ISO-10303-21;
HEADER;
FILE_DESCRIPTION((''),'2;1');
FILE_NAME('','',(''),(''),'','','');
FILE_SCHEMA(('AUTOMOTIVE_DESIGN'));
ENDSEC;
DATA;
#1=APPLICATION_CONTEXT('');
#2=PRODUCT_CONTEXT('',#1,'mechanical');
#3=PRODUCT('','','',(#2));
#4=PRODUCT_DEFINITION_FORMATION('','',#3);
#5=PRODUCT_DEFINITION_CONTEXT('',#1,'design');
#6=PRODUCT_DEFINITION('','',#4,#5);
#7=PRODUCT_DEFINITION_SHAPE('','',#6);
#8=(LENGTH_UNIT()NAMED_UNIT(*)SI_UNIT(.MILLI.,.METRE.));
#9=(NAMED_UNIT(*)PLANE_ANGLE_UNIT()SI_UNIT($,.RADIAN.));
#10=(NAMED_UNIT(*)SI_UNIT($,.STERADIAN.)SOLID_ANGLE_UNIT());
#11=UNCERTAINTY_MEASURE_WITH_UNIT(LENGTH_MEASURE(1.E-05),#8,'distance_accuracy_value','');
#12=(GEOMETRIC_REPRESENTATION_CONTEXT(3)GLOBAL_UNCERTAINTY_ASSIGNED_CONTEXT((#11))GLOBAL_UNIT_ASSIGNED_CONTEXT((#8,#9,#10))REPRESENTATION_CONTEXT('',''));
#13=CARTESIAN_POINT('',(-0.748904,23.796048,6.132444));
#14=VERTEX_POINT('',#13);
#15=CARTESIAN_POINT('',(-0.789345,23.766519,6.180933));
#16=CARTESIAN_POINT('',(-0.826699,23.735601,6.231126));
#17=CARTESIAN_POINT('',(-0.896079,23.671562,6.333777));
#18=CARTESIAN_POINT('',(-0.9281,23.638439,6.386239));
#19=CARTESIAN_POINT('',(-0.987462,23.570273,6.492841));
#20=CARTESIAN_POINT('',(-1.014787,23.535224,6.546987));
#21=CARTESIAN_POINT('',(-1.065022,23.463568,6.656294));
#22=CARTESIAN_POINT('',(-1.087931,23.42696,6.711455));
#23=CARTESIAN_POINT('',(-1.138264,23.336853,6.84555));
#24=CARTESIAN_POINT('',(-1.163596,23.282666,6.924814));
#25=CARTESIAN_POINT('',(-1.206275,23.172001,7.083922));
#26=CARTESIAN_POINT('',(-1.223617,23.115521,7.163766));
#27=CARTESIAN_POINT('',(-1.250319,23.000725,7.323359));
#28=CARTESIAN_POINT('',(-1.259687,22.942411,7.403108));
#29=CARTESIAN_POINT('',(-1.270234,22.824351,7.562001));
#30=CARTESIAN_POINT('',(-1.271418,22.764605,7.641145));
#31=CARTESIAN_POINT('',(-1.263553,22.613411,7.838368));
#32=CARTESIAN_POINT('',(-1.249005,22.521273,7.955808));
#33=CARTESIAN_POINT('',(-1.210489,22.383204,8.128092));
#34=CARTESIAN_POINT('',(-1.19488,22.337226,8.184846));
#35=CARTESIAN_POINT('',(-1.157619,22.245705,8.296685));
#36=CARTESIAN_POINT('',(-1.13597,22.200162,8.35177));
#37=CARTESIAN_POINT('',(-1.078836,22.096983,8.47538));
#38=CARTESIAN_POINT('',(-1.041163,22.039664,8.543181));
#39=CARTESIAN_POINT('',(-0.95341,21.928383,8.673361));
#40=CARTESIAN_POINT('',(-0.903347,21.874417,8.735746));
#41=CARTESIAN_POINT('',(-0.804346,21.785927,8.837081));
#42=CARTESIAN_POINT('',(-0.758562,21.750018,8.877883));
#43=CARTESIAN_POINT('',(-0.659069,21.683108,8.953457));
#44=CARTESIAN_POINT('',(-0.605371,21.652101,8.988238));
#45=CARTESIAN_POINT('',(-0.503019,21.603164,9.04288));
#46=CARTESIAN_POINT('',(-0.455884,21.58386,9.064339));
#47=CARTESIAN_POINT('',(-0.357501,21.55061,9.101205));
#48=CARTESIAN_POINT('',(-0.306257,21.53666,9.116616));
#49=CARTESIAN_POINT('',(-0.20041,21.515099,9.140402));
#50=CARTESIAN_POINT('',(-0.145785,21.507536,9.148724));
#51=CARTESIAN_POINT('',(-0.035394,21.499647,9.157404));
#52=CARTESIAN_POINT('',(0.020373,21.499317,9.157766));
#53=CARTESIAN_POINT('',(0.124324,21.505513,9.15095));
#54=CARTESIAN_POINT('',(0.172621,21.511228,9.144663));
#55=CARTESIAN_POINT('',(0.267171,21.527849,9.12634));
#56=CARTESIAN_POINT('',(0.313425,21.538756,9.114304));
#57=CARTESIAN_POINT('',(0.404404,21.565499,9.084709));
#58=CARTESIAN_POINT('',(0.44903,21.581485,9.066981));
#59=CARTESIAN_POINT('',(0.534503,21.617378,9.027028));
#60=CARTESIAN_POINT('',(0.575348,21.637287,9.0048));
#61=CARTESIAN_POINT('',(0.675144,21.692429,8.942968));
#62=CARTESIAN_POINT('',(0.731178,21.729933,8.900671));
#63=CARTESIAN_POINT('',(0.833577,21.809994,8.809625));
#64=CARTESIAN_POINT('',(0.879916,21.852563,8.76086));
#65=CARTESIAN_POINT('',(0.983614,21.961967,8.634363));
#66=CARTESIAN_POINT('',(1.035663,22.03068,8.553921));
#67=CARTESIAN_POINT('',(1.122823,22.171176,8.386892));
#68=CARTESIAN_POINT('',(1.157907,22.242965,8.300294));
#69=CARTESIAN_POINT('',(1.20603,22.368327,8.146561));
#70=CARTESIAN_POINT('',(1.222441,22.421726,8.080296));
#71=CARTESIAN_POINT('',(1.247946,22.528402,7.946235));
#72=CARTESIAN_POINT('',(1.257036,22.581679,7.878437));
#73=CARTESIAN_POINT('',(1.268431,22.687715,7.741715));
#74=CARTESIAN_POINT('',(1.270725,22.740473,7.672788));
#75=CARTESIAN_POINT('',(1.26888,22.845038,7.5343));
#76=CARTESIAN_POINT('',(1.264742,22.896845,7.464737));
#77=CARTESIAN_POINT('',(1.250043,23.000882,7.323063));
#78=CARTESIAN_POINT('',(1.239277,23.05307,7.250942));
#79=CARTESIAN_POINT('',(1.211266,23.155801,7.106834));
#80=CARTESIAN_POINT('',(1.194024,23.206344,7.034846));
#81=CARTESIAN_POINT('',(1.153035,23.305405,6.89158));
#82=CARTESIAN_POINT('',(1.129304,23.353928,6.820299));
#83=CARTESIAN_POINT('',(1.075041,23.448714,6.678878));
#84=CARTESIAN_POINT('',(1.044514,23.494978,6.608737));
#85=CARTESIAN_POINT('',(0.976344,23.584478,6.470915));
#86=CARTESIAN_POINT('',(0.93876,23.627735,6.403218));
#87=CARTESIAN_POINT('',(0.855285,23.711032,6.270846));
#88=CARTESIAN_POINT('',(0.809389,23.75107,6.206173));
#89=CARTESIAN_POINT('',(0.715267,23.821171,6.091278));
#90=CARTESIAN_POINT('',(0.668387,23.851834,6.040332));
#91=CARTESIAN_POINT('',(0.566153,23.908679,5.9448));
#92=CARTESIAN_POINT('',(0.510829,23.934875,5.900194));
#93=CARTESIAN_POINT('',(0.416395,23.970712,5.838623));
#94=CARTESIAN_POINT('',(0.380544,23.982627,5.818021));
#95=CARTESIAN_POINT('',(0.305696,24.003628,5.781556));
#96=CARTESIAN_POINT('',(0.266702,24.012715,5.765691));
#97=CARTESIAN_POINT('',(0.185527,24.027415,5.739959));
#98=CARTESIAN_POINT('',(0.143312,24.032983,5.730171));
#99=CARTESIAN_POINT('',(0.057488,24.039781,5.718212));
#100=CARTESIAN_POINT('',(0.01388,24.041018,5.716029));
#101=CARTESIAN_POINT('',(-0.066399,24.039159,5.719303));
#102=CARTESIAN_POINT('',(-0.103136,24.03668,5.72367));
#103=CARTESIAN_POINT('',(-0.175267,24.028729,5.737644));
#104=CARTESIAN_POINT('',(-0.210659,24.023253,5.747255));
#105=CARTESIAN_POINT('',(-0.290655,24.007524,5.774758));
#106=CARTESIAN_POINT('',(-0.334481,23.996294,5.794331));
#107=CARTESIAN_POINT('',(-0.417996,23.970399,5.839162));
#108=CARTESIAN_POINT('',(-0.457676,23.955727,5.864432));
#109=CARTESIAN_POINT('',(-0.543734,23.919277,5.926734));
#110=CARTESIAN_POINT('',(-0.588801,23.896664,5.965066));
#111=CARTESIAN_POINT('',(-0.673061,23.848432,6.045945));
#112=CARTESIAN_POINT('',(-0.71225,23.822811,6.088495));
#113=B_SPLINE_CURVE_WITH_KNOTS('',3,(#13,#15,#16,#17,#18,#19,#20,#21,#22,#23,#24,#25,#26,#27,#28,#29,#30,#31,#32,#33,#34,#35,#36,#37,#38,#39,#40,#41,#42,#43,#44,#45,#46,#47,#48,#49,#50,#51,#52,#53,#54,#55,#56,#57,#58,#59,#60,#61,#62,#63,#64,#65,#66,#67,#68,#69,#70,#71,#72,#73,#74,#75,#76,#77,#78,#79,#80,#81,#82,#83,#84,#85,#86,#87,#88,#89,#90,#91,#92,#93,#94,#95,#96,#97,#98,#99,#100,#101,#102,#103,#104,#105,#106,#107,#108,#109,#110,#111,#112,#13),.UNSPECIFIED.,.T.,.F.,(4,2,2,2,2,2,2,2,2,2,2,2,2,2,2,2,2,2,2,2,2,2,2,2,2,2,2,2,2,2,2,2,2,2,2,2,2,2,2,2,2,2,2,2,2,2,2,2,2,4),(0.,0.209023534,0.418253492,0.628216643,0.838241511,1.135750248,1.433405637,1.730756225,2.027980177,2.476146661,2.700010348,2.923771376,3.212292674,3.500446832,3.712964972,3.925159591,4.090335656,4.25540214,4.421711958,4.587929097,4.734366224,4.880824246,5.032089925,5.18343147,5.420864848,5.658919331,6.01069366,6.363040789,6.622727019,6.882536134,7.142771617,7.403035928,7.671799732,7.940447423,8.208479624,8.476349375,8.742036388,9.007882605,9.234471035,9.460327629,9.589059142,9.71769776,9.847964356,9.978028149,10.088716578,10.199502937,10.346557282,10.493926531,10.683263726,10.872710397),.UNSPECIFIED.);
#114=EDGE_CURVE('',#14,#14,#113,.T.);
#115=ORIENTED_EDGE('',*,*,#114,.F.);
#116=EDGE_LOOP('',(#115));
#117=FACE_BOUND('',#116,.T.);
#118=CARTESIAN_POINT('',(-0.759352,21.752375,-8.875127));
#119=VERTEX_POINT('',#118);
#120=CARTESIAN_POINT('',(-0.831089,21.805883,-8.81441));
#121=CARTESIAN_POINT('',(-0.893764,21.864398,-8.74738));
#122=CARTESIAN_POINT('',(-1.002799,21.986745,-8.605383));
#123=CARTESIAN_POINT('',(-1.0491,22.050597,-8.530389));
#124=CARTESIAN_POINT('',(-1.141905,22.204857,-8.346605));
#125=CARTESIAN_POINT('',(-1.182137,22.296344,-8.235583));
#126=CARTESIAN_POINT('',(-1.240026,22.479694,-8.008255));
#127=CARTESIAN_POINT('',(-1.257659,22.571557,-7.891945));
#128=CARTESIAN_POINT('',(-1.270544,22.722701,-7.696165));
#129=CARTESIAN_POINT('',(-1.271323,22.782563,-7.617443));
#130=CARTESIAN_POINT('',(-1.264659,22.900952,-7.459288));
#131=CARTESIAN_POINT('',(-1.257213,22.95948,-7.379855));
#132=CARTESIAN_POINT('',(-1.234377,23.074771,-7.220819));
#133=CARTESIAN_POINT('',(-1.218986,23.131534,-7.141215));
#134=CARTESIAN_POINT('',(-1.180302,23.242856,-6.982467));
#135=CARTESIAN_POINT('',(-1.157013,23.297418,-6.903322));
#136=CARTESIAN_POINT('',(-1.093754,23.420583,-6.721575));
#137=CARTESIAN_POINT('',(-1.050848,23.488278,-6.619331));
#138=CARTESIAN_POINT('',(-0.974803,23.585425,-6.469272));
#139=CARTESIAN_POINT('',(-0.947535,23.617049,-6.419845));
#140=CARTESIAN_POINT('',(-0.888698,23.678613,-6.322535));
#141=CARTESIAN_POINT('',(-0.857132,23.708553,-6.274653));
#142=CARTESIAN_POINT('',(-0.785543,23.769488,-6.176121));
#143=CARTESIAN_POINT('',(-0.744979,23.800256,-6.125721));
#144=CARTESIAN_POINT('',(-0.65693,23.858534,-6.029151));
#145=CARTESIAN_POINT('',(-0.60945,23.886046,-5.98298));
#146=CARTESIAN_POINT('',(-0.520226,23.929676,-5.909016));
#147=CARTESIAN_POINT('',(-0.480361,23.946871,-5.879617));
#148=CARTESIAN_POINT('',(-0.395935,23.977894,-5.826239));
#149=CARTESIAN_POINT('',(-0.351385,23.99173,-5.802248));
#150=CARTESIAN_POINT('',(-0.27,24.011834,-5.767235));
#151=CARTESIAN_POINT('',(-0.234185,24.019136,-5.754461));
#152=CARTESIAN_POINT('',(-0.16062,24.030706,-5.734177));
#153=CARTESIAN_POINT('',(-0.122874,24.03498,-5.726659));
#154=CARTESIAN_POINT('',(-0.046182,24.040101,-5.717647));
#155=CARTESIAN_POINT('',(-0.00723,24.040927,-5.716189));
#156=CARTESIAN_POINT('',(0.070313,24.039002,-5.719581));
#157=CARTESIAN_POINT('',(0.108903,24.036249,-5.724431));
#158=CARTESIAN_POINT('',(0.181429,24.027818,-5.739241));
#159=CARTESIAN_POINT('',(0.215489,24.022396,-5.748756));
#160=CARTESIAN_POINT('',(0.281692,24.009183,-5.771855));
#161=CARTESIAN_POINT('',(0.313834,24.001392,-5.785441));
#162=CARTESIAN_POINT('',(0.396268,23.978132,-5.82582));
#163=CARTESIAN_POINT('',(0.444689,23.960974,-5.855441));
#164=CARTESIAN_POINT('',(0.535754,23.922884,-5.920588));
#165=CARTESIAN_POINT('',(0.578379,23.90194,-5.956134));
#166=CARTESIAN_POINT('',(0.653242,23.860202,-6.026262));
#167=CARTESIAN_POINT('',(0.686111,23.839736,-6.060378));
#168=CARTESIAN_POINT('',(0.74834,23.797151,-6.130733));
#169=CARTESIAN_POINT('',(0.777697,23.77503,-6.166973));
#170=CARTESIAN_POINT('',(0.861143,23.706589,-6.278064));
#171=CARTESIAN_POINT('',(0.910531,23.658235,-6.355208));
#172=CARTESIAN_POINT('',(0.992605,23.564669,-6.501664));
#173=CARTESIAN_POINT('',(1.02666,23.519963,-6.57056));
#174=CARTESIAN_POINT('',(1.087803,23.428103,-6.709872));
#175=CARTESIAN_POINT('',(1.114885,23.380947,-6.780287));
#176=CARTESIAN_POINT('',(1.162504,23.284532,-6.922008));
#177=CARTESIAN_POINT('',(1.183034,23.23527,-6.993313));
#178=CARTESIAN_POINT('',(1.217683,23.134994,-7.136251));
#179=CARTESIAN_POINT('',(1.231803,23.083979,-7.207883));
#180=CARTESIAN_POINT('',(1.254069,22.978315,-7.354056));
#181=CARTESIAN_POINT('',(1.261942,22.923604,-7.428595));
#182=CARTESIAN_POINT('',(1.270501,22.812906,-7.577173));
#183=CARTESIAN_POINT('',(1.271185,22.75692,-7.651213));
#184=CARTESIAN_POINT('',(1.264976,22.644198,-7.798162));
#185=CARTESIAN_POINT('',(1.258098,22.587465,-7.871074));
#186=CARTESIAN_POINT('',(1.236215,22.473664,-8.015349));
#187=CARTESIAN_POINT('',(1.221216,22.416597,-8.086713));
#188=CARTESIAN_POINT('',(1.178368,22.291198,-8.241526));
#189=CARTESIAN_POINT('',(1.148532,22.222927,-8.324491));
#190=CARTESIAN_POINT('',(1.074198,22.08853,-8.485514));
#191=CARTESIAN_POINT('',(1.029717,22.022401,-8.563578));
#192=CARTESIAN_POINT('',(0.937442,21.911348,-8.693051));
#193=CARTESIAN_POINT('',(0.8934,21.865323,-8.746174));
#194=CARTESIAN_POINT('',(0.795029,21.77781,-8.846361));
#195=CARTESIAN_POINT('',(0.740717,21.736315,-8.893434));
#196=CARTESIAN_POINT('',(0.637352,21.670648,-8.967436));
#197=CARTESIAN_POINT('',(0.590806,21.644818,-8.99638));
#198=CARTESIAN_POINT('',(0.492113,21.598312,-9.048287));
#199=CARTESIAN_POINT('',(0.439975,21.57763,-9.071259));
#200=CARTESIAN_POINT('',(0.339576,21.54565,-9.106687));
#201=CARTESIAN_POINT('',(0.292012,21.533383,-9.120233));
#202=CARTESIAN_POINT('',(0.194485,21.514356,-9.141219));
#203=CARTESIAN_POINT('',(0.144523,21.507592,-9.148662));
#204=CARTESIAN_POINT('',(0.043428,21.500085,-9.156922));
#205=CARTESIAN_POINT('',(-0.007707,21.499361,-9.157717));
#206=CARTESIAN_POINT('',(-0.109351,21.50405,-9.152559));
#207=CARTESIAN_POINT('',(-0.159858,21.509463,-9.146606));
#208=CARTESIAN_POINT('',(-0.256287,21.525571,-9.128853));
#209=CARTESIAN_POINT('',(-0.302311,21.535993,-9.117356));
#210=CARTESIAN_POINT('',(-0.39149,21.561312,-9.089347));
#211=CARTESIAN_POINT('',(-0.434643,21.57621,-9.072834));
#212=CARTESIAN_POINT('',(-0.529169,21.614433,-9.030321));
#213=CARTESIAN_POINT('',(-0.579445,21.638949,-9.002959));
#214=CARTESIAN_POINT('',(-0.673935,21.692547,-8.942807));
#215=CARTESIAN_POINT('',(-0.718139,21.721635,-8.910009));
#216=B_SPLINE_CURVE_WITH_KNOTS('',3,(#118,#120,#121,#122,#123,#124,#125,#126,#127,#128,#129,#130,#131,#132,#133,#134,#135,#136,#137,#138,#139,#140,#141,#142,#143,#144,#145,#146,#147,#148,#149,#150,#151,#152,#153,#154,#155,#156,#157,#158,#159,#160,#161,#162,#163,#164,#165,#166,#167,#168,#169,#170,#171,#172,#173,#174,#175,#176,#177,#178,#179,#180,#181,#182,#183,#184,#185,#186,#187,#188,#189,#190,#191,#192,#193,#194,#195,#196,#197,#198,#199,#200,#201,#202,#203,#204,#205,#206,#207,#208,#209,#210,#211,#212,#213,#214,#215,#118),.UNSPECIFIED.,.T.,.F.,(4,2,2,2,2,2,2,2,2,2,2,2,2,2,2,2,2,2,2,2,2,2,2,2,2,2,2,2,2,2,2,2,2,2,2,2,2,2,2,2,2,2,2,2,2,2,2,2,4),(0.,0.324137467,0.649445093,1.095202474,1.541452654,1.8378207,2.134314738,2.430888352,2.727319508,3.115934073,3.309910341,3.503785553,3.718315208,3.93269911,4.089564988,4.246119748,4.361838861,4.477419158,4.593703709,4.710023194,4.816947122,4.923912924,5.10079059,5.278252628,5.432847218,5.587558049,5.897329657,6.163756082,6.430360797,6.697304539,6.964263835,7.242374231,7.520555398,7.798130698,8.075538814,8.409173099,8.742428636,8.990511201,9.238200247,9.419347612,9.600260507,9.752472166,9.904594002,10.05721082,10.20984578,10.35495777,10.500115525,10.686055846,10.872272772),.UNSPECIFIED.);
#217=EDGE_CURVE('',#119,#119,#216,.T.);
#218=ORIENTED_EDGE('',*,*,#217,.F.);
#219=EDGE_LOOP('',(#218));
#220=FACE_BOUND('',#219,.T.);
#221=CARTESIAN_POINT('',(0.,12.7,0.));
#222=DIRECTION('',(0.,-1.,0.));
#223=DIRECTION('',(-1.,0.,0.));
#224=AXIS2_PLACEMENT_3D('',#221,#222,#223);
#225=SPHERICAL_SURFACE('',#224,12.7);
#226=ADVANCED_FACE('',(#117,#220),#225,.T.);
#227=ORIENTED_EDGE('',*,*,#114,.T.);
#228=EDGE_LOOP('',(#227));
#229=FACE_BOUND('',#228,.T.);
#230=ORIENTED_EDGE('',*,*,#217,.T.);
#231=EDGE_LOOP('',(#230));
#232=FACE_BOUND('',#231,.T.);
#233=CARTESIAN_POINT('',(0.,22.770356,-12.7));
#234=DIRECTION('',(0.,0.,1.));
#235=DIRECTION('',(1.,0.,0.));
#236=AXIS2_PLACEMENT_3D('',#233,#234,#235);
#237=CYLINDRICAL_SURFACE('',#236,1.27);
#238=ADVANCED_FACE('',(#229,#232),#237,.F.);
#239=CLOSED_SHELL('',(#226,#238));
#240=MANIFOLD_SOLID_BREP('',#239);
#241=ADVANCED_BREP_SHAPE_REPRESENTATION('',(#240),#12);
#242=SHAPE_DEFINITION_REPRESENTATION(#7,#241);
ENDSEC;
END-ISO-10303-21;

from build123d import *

# Parameters (mm, degrees)
CUT_EXTRUDE3_DEPTH      = 32.108519733
CUT_EXTRUDE3_DEPTH_BACK = 32.108519733
SKETCH2_R               = 1.27


with BuildPart() as part:
    # Sketch1 → Revolve1 (revolve)
    with BuildSketch(Plane.XY):
        with BuildLine():
            Line((0, 0), (0, 25.4))
            ThreePointArc((0, 25.4), (12.7, 12.7), (0, 0))
        make_face()
    revolve(axis=Axis((0, 0, 0), (0, 1, 0)))

    # Sketch2 → Cut-Extrude3 (cut, two sides: drawn at the far end of the back side and taken through both)
    with BuildSketch(Plane.XY.offset(-CUT_EXTRUDE3_DEPTH_BACK)):
        with Locations(Location((0, 22.770356356, 0), (0, 0, 126.134872412))):
            Circle(SKETCH2_R)
    extrude(amount=CUT_EXTRUDE3_DEPTH + CUT_EXTRUDE3_DEPTH_BACK, mode=Mode.SUBTRACT)


solid = part.part
